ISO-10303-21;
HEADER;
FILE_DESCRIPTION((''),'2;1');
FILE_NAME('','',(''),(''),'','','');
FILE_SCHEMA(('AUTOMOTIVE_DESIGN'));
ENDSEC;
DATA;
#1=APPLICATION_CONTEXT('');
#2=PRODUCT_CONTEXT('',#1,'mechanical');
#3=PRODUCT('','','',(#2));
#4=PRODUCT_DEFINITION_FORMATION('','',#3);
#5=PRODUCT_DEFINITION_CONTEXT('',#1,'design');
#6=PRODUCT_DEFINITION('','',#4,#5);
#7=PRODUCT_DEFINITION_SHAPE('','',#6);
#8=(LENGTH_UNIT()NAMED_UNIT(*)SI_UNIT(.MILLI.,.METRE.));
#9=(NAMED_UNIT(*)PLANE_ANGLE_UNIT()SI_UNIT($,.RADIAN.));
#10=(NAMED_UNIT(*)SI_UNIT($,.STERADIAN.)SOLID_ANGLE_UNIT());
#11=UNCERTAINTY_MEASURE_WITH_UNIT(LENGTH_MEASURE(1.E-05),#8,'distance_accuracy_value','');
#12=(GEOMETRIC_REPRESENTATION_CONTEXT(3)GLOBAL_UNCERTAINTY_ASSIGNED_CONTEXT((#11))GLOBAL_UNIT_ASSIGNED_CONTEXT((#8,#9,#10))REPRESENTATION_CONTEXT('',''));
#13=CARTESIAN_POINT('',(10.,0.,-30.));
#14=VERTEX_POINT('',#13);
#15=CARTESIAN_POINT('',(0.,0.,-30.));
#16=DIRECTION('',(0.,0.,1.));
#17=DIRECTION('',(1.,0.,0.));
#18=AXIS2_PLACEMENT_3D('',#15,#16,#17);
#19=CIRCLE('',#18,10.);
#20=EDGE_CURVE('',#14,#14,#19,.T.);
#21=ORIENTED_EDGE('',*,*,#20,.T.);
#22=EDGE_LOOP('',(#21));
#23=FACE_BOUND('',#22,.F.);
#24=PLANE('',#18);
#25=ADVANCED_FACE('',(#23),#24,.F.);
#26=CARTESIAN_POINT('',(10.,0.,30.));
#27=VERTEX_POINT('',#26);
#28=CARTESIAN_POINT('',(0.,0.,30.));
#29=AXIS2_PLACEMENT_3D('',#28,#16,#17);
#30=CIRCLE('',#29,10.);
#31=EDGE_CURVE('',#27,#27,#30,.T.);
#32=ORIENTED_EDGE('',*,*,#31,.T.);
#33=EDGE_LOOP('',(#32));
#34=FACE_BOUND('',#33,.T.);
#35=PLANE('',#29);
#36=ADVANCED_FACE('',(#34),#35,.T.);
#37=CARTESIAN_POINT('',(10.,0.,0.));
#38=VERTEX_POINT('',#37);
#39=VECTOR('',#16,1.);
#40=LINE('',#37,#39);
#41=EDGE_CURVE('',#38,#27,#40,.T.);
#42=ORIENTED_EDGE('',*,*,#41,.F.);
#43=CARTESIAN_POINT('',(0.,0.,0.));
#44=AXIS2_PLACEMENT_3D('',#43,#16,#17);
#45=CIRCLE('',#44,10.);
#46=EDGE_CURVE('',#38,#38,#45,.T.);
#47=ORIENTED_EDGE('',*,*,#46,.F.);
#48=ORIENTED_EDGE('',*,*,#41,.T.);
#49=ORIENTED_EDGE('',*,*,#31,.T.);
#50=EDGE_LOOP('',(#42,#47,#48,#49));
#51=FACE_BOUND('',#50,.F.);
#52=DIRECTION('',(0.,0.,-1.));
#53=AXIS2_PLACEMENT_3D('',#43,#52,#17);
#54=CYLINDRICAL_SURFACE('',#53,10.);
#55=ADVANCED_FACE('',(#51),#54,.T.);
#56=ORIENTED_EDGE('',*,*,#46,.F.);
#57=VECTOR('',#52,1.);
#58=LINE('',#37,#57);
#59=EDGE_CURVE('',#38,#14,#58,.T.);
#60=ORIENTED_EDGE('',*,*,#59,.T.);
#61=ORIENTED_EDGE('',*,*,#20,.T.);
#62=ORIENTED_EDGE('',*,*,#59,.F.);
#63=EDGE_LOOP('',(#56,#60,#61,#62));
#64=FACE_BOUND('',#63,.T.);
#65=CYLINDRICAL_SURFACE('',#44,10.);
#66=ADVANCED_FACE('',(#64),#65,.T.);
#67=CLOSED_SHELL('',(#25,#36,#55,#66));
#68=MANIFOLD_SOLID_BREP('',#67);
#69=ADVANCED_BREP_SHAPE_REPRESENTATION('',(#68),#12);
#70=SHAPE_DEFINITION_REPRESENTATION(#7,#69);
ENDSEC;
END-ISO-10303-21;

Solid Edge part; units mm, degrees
sketch "Sketch1" plane through (0, 0, 0) normal (0, 0, 1) x (1, 0, 0)
  circle A0 centre (0, 0) radius 10
  dimension "D1" = 20
extrude "Ajout_matière_1" add sketch "Sketch1" along normal mid plane 60
properties material "Acier S235"
